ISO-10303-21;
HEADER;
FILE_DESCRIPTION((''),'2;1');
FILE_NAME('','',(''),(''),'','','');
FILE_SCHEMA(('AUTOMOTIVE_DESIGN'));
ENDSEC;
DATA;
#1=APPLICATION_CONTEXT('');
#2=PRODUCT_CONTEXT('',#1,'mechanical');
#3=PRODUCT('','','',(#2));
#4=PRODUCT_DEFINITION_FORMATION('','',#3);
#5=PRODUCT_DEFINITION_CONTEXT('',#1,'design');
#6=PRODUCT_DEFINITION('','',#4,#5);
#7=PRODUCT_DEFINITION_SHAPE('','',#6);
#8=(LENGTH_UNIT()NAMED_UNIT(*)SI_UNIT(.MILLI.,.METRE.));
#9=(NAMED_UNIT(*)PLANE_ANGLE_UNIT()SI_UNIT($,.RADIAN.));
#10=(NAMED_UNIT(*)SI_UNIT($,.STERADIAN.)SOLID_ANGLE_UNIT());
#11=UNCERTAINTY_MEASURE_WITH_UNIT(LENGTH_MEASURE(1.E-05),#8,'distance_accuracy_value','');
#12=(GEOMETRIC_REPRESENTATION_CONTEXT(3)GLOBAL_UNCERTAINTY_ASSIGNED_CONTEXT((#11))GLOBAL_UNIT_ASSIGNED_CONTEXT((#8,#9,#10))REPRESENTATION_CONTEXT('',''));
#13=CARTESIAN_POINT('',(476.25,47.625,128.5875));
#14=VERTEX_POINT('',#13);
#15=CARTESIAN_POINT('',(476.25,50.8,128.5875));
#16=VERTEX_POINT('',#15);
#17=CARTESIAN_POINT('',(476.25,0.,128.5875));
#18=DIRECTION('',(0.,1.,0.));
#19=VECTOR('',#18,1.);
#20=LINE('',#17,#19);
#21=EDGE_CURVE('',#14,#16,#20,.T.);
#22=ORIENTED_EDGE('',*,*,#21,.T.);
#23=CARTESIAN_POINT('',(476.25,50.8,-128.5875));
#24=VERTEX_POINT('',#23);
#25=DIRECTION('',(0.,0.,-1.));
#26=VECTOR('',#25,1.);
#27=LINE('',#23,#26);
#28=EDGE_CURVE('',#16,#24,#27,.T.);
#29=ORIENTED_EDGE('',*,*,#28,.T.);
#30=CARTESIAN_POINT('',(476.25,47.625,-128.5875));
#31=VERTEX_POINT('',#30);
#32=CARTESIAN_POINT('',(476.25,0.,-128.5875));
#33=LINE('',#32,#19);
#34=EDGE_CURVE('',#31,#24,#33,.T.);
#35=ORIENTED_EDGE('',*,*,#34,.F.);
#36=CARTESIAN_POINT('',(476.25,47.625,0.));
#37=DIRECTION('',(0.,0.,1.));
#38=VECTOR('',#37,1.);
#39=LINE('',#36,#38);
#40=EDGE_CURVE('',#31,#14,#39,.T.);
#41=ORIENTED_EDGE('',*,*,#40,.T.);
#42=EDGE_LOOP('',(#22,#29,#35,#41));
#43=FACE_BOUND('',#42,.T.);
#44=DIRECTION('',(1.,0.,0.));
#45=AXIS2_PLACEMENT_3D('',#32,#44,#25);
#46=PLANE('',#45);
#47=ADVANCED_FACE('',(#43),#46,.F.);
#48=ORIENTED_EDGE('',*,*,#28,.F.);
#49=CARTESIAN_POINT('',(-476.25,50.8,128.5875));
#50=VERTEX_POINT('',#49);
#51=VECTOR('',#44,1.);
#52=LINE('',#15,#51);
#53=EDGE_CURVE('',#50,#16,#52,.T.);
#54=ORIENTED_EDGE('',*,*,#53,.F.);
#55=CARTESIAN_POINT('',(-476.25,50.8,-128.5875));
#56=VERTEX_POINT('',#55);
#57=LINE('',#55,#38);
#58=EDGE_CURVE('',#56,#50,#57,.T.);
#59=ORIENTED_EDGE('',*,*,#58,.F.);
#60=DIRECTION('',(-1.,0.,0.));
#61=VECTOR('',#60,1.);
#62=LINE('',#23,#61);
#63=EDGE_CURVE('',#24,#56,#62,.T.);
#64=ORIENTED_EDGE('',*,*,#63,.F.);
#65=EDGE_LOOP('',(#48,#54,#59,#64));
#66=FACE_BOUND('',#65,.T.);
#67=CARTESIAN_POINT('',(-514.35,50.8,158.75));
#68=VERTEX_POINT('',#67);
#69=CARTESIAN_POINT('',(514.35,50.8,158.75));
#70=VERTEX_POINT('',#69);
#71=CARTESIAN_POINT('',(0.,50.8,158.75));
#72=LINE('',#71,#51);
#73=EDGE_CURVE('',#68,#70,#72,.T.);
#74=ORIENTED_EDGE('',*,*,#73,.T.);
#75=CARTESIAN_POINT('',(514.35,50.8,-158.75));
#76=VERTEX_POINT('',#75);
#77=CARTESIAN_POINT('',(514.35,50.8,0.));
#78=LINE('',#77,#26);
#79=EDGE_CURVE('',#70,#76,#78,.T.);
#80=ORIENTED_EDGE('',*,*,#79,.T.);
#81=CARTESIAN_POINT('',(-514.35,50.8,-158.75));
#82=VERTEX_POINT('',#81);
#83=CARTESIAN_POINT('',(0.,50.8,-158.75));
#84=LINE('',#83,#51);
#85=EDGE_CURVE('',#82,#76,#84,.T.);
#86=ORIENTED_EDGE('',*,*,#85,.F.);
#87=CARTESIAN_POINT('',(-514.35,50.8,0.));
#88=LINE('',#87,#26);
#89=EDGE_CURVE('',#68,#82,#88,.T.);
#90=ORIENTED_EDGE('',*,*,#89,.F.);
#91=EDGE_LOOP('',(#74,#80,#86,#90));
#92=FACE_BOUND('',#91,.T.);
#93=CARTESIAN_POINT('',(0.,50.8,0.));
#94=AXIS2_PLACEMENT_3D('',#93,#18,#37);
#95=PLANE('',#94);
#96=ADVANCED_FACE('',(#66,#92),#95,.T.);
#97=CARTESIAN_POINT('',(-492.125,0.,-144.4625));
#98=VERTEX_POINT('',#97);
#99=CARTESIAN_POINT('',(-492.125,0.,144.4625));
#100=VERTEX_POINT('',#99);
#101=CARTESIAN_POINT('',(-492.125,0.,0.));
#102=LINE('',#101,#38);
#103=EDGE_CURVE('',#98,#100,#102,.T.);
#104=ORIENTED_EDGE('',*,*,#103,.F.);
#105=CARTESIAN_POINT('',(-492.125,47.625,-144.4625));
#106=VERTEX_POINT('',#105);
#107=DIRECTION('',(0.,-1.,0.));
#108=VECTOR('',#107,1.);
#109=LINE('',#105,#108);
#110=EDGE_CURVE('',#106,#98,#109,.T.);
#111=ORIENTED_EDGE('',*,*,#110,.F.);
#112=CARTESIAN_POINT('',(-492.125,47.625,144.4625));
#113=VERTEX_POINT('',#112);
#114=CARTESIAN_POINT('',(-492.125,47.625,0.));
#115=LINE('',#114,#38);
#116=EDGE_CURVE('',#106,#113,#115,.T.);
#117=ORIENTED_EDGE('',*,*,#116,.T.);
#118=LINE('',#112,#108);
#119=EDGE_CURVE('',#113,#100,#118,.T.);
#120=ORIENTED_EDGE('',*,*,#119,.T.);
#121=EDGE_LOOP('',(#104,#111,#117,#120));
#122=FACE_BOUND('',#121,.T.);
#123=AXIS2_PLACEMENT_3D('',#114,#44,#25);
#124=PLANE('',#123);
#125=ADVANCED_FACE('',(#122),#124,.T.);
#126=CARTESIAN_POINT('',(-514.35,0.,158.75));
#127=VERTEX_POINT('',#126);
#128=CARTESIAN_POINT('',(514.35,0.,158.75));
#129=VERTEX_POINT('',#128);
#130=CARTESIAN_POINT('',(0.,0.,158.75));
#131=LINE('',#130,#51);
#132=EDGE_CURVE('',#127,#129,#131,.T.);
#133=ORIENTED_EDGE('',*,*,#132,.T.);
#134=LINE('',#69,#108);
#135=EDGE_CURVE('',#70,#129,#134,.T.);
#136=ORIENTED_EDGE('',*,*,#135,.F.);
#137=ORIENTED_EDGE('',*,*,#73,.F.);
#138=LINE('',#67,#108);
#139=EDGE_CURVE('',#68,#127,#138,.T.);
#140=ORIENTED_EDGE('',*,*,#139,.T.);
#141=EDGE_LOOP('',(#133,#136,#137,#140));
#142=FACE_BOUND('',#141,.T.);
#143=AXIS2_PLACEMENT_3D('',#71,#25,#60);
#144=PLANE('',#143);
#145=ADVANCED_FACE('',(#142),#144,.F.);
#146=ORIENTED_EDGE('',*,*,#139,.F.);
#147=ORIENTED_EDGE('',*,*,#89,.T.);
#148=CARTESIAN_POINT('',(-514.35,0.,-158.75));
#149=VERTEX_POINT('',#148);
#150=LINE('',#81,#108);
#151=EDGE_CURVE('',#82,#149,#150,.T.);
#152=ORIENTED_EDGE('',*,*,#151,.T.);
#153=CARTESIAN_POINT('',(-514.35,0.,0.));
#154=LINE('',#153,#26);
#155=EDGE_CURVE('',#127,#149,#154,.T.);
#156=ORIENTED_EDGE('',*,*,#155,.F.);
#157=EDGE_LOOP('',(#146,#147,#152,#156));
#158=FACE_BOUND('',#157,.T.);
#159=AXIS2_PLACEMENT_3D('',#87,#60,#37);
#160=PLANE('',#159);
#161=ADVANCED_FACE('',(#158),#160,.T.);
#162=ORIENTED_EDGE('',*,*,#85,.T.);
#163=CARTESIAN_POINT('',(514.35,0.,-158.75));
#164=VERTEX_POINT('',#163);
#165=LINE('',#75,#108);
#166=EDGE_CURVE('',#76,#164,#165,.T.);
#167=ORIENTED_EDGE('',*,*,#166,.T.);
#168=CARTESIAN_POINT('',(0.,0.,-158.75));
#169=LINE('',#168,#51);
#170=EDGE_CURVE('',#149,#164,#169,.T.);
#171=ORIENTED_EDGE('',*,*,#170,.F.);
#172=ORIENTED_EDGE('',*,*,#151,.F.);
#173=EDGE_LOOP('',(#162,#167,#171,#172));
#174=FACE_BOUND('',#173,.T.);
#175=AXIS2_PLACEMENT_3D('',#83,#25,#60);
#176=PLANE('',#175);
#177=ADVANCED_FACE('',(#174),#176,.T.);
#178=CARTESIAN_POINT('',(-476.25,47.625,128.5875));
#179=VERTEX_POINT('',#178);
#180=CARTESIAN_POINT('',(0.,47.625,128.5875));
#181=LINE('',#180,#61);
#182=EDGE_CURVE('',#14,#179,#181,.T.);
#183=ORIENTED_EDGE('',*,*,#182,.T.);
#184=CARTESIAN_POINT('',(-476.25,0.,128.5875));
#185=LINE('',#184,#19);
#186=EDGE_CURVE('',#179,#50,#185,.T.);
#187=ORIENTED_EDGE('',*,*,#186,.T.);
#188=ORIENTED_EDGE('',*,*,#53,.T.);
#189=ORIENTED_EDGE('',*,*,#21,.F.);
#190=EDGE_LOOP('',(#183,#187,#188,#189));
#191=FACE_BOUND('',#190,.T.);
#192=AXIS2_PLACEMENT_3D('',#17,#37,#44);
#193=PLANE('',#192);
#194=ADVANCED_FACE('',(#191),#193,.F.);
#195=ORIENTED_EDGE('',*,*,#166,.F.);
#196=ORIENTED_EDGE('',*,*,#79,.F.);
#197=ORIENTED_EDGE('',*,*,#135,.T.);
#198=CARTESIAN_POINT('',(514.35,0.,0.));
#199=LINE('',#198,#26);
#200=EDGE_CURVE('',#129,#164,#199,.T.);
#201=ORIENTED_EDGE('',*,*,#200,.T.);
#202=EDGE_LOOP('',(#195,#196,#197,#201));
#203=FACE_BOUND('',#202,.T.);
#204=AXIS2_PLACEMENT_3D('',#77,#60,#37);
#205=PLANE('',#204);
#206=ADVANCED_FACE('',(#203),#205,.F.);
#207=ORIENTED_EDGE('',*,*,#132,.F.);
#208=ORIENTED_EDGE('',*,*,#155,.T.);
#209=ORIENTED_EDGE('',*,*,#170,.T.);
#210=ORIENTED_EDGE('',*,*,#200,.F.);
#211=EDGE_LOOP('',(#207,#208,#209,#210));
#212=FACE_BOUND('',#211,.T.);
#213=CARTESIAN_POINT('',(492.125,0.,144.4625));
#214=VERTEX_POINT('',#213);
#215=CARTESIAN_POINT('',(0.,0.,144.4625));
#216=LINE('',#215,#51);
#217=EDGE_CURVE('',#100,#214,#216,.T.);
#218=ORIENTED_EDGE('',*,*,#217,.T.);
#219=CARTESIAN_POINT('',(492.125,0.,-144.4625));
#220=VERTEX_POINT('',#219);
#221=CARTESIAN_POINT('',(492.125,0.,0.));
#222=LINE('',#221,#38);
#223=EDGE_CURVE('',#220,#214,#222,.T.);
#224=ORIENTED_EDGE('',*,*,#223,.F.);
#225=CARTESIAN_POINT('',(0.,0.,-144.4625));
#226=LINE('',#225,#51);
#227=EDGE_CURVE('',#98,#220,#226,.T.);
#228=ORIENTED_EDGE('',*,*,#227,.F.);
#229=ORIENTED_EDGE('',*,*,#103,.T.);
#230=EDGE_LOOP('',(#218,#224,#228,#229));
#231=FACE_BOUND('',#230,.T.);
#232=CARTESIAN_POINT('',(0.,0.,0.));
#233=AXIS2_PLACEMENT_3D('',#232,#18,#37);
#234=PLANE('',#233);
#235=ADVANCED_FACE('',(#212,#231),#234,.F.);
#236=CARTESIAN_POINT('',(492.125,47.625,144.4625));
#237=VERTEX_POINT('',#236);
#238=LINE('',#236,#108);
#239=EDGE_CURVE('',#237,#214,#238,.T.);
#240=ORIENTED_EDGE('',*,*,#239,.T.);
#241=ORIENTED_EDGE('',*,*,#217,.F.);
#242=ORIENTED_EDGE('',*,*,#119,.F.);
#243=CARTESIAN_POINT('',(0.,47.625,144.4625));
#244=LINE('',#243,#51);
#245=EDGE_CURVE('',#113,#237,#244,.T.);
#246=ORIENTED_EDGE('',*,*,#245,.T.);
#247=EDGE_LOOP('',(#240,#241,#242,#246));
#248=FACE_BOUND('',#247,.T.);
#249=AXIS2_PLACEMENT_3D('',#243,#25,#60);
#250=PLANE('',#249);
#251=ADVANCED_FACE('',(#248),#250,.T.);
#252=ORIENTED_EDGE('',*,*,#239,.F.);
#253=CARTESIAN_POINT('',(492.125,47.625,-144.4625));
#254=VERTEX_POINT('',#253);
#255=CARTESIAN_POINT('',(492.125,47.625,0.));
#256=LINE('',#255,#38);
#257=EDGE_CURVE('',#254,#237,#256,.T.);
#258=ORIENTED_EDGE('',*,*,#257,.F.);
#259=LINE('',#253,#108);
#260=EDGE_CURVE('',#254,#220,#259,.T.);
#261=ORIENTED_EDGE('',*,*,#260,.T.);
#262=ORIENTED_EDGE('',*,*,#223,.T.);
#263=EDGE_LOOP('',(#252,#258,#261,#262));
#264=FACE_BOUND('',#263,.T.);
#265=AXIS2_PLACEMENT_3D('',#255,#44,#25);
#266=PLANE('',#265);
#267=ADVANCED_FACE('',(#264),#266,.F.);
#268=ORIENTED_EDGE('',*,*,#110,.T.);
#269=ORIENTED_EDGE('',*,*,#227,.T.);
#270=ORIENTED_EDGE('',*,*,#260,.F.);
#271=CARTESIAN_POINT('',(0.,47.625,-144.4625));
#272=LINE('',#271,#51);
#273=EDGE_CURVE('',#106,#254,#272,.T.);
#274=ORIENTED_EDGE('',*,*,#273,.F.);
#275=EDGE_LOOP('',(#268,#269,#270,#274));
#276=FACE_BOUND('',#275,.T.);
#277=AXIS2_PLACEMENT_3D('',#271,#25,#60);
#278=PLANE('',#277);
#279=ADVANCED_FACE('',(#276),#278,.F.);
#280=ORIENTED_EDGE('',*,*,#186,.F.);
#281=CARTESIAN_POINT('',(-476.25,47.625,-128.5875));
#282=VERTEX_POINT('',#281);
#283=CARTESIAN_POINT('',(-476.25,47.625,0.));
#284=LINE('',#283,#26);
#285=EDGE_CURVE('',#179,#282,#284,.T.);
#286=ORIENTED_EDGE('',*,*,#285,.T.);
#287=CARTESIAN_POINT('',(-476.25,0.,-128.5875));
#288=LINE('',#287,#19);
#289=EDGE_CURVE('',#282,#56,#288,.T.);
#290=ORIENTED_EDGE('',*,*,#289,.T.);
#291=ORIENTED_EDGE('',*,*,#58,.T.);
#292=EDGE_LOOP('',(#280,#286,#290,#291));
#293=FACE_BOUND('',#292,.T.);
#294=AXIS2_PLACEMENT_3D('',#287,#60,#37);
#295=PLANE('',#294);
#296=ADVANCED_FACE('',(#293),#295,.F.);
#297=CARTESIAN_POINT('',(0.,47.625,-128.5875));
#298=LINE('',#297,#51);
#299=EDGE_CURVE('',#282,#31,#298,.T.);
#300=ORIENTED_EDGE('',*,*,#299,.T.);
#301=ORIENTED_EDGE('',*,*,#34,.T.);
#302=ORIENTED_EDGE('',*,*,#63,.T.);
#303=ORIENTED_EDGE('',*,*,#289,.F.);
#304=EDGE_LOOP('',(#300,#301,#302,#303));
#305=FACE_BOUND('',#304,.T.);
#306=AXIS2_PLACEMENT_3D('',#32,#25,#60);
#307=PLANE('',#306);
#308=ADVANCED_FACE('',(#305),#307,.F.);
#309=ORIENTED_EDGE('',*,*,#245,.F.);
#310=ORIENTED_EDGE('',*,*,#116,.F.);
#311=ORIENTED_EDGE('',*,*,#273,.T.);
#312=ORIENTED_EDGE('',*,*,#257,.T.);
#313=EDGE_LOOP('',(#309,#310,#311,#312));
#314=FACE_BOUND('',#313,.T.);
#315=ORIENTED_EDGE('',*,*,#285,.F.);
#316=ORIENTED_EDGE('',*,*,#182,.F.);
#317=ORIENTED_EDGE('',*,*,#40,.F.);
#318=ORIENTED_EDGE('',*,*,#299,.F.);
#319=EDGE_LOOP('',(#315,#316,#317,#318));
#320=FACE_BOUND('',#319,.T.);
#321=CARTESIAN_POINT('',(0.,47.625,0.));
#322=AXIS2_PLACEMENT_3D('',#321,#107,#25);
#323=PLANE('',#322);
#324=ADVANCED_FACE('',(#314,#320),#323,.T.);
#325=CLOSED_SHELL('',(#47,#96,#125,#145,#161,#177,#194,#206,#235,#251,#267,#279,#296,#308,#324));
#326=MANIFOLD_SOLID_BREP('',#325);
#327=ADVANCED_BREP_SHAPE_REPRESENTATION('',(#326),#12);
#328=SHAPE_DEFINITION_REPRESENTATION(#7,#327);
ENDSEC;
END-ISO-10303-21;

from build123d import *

# Parameters (mm, degrees)
CROQUIS1_W              = 1028.7
CROQUIS1_H              = 317.5
SALIENTE_EXTRUIR1_DEPTH = 50.8
CROQUIS6_W              = 984.25
CROQUIS6_H              = 288.925
CORTAR_EXTRUIR6_DEPTH   = 47.625
CROQUIS1_4_W            = 895.35
CROQUIS1_4_H            = 200.025
CORTAR_EXTRUIR1_DEPTH   = 541.683017118
CROQUIS7_W              = 952.5
CROQUIS7_H              = 257.175
CORTAR_EXTRUIR7_DEPTH   = 541.683017118


with BuildPart() as part:
    # Croquis1 → Saliente-Extruir1 (new body)
    with BuildSketch(Plane(origin=(0, 0, 0), x_dir=(1, 0, 0), z_dir=(0, 1, 0))):
        Rectangle(CROQUIS1_W, CROQUIS1_H)
    extrude(amount=SALIENTE_EXTRUIR1_DEPTH)

    # Croquis6 → Cortar-Extruir6 (cut)
    with BuildSketch(Plane(origin=(0, 0, 0), x_dir=(-1, 0, 0), z_dir=(0, -1, 0))):
        Rectangle(CROQUIS6_W, CROQUIS6_H)
    extrude(amount=-CORTAR_EXTRUIR6_DEPTH, mode=Mode.SUBTRACT)

    # Croquis1<4> → Cortar-Extruir1 (cut, through all)
    with BuildSketch(Plane(origin=(0, 0, 0), x_dir=(1, 0, 0), z_dir=(0, 1, 0))):
        Rectangle(CROQUIS1_4_W, CROQUIS1_4_H)
    extrude(amount=CORTAR_EXTRUIR1_DEPTH, mode=Mode.SUBTRACT)

    # Croquis7 → Cortar-Extruir7 (cut, through all)
    with BuildSketch(Plane(origin=(0, 50.8, 0), x_dir=(1, 0, 0), z_dir=(0, 1, 0))):
        Rectangle(CROQUIS7_W, CROQUIS7_H)
    extrude(amount=-CORTAR_EXTRUIR7_DEPTH, mode=Mode.SUBTRACT)


solid = part.part
